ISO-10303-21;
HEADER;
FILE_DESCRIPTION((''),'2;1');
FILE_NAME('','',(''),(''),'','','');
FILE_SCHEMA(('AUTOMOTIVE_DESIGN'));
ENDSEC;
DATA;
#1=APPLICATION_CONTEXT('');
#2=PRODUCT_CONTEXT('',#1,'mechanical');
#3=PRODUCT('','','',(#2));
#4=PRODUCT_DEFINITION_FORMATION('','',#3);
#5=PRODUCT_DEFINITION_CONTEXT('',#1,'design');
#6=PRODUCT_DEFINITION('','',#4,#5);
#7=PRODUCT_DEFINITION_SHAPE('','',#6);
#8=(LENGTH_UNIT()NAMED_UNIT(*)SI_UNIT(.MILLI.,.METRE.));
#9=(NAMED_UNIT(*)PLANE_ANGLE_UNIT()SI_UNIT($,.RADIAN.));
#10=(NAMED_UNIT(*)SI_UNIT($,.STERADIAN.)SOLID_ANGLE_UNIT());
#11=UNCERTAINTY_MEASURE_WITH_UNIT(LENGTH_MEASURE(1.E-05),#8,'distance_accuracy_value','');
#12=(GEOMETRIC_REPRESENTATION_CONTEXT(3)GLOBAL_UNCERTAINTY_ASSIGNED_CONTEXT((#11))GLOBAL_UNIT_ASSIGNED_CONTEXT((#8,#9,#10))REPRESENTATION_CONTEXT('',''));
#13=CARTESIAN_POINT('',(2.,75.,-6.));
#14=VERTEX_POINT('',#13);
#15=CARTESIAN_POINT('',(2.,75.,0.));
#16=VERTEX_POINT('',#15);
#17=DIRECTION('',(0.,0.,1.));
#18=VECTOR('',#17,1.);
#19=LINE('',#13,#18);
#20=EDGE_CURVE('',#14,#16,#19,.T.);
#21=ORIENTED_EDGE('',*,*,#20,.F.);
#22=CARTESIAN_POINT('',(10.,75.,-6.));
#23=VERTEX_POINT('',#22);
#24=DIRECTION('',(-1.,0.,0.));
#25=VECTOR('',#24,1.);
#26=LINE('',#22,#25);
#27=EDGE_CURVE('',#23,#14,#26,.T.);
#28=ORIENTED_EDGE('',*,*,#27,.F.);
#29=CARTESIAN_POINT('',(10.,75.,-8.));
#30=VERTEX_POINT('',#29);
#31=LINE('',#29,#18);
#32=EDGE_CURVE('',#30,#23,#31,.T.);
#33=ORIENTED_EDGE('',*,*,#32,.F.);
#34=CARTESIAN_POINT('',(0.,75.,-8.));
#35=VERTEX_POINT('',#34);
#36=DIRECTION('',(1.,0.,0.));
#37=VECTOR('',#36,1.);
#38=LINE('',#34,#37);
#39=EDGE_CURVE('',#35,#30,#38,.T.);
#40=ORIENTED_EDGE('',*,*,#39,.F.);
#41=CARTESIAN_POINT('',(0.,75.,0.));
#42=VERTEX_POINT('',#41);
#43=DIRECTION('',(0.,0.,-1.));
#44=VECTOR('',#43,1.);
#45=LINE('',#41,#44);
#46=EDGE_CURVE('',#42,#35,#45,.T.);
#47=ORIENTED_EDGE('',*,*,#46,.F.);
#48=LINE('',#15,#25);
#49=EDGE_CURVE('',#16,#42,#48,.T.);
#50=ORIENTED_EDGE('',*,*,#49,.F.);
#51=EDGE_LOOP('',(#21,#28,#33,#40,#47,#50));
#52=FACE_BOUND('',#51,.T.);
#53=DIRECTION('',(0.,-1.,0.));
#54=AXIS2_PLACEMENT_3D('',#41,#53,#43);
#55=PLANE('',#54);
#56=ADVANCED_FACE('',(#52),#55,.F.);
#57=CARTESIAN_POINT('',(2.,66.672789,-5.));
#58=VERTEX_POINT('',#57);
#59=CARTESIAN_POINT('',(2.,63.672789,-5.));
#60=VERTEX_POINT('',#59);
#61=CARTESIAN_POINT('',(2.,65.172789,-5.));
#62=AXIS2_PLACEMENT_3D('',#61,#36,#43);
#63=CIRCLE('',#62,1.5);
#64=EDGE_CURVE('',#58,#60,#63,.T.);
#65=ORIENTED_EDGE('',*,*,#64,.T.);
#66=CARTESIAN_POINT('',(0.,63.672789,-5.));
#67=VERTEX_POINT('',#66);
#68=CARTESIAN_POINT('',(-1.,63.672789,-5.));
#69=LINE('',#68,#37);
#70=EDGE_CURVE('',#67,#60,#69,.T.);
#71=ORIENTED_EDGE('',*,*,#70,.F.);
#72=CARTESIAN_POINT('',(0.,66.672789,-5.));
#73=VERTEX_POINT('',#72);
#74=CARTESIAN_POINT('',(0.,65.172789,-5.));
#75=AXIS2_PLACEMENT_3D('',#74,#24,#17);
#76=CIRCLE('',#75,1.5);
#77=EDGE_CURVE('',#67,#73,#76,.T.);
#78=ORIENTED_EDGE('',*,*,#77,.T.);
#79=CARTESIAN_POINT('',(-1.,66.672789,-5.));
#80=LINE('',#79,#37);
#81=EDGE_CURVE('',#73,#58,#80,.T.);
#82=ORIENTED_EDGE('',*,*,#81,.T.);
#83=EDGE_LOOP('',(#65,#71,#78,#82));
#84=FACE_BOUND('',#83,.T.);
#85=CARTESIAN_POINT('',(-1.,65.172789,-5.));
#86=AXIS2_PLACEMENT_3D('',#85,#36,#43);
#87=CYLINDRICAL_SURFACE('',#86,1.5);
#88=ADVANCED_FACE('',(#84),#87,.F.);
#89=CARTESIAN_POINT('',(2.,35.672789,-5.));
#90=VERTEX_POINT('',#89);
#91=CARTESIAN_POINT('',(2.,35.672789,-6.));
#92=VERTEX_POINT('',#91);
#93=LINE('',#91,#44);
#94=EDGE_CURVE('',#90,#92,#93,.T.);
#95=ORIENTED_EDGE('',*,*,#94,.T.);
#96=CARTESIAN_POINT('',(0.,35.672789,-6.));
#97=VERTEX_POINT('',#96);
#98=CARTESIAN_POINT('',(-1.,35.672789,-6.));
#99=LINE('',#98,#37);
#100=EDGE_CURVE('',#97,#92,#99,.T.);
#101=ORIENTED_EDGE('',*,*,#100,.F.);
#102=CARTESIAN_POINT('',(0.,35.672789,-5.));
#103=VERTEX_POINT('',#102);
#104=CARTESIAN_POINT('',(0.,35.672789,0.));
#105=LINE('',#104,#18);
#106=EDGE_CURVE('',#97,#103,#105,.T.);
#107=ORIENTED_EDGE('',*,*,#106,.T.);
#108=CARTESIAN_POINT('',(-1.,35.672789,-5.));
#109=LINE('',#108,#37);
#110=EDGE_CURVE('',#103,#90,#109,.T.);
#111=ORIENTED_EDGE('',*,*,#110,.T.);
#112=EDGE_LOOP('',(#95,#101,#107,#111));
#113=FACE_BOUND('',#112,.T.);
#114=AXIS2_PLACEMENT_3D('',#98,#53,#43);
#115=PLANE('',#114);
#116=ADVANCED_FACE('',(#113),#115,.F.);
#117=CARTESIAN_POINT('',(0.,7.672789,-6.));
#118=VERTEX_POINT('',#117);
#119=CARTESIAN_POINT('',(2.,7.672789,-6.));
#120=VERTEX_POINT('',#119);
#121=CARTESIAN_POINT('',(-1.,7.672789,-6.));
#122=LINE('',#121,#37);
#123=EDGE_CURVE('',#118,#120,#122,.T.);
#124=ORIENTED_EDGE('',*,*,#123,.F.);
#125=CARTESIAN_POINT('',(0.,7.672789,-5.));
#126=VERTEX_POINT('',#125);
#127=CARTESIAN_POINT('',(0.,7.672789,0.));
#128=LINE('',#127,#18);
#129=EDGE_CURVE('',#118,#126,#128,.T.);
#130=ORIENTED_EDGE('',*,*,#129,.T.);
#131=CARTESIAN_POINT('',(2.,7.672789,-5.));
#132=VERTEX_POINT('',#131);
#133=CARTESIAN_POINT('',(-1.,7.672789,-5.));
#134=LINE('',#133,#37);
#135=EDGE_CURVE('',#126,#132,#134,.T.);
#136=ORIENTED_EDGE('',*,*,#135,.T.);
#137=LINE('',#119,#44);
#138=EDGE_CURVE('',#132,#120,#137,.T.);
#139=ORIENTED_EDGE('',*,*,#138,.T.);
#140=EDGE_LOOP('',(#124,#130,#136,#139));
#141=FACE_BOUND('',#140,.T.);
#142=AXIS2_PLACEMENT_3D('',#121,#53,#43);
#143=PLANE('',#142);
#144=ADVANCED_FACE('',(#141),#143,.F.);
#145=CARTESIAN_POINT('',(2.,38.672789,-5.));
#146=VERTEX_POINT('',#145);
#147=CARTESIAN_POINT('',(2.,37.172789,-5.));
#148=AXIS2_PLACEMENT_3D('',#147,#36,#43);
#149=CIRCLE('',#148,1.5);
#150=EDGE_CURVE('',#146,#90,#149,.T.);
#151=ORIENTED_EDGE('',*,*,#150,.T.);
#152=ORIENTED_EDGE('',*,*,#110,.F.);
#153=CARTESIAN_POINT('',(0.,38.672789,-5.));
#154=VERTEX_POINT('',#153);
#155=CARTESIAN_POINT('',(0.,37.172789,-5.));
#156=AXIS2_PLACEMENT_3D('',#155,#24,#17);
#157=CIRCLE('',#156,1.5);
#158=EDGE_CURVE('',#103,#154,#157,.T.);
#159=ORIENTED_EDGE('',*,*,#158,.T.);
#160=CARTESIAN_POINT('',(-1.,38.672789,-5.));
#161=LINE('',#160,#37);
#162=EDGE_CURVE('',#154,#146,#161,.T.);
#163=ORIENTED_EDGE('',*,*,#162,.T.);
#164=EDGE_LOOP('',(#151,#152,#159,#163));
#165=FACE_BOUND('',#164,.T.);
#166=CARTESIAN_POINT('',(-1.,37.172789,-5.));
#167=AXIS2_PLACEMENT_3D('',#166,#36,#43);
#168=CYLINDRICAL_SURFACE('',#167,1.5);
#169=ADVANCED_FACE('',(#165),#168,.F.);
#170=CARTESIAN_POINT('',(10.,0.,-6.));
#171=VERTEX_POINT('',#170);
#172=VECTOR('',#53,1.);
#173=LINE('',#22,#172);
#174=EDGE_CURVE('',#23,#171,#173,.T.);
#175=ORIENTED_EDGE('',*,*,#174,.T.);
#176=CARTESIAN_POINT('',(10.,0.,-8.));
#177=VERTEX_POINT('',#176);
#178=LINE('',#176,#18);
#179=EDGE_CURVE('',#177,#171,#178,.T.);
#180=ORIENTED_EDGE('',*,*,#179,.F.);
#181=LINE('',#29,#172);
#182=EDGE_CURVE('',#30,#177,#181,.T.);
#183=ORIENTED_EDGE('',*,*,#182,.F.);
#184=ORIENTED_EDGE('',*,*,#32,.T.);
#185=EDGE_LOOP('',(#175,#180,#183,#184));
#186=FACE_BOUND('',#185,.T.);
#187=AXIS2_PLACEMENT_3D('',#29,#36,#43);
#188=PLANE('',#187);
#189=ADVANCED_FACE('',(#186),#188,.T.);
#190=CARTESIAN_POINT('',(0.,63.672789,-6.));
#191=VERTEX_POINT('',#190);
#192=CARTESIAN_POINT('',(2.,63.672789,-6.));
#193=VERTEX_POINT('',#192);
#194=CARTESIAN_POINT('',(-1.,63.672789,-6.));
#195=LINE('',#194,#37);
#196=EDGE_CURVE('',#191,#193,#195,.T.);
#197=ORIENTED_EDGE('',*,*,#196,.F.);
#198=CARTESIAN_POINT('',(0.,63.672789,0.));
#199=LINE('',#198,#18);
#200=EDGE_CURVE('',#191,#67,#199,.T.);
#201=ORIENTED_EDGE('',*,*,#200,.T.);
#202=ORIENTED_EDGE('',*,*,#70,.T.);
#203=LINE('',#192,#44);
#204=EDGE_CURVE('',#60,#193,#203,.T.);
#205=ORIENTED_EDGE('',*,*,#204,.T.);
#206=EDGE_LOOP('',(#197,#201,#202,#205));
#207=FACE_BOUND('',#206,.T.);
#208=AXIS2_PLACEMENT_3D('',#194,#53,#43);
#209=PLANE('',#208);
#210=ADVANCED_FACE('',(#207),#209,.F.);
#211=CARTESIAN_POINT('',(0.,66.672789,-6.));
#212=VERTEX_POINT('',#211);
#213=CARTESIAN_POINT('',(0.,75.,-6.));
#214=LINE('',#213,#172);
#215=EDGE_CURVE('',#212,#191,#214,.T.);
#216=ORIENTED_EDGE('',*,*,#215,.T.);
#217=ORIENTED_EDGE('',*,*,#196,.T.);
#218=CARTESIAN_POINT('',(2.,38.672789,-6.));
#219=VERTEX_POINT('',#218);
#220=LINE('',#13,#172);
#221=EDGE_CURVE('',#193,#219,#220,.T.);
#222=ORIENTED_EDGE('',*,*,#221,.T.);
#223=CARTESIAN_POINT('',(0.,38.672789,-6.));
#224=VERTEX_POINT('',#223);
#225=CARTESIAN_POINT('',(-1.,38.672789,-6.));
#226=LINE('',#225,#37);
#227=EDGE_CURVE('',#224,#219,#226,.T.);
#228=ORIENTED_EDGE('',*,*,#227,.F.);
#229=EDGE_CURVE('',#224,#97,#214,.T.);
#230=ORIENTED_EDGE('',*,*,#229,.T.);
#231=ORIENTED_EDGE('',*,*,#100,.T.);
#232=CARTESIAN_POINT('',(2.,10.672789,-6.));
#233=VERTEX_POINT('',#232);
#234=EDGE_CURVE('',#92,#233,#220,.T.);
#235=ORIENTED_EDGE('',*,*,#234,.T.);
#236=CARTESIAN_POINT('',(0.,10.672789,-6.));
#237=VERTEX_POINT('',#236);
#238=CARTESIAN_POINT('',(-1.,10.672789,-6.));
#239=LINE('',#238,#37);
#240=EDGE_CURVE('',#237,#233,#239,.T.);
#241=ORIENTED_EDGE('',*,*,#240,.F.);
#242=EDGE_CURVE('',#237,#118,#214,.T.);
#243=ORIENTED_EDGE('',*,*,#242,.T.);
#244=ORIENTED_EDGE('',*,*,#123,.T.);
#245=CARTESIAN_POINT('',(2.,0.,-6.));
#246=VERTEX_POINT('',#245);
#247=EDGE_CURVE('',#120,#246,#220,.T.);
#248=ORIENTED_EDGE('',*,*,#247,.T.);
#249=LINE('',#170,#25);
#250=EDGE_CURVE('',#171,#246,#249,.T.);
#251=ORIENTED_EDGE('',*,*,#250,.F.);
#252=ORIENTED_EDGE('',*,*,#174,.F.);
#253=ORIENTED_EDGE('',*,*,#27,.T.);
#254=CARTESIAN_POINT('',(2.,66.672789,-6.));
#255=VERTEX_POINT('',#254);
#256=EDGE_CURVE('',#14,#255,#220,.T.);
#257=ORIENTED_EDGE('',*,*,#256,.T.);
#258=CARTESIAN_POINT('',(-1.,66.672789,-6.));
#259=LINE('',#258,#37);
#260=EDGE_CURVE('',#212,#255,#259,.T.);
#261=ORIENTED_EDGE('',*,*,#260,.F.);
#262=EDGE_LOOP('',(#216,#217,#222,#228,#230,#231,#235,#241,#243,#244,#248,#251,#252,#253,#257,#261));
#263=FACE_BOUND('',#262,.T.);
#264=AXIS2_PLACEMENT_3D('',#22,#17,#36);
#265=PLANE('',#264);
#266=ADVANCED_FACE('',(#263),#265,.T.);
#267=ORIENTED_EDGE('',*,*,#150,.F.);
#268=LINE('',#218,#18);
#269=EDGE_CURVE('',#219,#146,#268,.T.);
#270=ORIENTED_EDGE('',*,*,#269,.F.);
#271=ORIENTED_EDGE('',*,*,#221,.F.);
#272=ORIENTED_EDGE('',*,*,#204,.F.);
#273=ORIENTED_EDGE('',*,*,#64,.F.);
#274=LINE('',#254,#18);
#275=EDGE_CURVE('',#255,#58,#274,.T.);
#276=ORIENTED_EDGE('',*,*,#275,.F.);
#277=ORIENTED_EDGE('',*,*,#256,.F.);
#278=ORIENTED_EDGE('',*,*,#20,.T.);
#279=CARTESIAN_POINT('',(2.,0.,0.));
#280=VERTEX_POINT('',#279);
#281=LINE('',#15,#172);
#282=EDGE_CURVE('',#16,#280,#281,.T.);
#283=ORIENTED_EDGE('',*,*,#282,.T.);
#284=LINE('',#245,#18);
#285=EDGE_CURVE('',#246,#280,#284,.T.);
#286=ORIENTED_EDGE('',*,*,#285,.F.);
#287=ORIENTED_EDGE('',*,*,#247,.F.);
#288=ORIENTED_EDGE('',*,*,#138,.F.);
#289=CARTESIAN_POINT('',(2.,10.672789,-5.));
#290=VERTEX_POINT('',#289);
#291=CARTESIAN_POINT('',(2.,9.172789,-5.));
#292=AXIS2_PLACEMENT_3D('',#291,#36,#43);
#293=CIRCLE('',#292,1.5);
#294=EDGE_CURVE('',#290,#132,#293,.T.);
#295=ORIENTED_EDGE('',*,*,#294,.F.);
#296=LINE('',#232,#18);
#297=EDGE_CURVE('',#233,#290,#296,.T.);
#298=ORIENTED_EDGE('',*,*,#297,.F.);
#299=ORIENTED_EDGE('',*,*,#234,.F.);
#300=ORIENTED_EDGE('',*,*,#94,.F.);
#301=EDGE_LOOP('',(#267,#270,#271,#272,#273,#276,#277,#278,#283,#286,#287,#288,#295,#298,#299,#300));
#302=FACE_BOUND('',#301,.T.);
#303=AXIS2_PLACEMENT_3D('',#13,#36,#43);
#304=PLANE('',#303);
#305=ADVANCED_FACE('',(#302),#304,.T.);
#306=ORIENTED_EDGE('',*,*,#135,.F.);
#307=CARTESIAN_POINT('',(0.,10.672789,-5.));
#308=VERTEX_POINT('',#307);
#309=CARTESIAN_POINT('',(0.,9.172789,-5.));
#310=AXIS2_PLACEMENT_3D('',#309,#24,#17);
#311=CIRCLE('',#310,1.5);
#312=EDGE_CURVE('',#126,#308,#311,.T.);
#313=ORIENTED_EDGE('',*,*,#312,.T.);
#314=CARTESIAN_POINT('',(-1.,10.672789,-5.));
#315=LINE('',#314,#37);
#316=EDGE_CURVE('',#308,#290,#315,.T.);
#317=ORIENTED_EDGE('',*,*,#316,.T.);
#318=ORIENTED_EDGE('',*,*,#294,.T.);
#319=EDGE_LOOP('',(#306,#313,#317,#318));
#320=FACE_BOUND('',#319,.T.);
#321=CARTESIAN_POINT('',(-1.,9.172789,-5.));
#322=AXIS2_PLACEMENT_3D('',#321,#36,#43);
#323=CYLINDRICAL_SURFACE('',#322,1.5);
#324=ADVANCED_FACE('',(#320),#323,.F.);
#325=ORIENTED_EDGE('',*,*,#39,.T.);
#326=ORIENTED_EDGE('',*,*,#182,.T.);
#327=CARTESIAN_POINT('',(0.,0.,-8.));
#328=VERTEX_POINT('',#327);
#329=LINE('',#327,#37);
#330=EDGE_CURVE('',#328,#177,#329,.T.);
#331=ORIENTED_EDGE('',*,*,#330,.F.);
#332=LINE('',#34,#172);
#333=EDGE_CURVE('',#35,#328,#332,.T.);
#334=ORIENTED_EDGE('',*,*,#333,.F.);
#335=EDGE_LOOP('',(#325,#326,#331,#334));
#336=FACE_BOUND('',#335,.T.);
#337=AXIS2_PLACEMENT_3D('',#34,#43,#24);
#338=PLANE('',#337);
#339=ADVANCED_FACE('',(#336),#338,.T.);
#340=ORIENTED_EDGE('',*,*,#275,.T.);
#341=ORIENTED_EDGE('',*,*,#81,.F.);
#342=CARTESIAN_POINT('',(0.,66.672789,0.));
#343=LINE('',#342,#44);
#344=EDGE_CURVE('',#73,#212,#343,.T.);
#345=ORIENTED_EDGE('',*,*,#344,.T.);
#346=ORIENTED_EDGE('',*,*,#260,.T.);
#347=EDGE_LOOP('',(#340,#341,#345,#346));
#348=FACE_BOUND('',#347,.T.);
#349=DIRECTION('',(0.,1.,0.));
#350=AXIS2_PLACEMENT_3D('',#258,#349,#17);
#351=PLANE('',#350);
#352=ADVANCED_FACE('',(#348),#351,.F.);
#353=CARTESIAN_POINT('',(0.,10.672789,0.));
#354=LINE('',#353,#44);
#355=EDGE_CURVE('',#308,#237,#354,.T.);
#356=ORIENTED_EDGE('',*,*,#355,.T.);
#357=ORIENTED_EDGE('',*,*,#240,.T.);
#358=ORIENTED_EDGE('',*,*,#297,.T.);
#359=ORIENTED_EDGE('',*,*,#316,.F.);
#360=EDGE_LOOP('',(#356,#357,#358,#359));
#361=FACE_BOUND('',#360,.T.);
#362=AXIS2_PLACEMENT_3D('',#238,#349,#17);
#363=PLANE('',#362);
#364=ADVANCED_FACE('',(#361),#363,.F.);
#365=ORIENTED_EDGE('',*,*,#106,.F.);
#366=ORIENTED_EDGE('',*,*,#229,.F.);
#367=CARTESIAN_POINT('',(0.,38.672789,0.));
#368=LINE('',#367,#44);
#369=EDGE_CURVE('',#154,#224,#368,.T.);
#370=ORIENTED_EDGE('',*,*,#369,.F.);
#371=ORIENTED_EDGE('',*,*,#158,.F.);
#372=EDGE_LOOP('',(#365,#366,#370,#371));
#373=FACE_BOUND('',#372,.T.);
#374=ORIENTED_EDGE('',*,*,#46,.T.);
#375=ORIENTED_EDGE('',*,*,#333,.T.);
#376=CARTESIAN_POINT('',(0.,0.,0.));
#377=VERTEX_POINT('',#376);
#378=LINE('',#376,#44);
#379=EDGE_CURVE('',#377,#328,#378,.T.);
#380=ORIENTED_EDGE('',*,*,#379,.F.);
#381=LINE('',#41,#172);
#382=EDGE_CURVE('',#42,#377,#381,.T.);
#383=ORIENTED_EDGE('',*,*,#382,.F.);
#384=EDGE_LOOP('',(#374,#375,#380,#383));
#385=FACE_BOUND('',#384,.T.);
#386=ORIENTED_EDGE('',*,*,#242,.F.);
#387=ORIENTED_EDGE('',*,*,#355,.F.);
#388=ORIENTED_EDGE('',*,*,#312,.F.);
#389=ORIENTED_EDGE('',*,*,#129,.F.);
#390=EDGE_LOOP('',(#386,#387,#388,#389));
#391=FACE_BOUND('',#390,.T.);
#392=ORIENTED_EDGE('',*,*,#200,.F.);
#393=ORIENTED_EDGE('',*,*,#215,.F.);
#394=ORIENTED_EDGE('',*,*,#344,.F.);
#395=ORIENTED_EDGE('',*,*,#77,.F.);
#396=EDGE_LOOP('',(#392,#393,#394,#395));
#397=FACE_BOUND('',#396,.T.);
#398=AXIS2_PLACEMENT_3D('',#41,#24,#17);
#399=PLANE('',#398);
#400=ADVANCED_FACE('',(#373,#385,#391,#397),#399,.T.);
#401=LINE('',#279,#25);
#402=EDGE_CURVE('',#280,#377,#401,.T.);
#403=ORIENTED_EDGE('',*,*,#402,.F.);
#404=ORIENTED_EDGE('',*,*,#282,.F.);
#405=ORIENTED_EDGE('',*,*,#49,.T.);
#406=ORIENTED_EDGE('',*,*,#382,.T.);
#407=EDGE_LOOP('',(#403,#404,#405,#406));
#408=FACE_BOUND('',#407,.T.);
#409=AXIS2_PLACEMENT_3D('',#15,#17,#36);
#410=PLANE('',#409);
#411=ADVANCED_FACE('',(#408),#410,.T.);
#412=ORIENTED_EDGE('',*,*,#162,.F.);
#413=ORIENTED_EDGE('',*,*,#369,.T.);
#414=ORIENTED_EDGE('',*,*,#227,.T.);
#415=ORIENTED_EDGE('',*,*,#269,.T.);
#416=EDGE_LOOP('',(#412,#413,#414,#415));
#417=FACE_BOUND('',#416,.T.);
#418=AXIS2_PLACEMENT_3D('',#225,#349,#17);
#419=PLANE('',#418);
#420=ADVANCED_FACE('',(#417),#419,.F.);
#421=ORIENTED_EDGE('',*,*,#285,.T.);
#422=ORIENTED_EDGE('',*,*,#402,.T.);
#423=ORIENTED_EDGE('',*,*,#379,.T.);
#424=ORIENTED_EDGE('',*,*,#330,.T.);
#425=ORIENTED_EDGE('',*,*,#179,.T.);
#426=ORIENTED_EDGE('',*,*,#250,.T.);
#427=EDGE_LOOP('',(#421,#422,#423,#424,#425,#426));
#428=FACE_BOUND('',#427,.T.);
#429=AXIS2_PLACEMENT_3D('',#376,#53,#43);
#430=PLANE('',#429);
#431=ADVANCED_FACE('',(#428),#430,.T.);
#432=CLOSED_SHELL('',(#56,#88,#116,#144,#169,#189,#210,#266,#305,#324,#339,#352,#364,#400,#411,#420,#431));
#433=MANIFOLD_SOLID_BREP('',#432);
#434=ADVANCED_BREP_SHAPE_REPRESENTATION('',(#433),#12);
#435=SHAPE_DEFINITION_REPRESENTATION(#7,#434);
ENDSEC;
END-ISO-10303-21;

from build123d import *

# Parameters (mm, degrees)
BOSS_EXTRU_1_DEPTH           = 75
ENL_V_MAT_EXTRU_9_DEPTH      = 1
ENL_V_MAT_EXTRU_9_DEPTH_BACK = 3


with BuildPart() as part:
    # Esquisse2 → Boss.-Extru.1 (new body)
    with BuildSketch(Plane(origin=(0, 0, 0), x_dir=(1, 0, 0), z_dir=(0, 1, 0))):
        Polygon((0, 0), (0, 8), (10, 8), (10, 6), (2, 6), (2, 0), align=None)
    extrude(amount=BOSS_EXTRU_1_DEPTH)

    # Esquisse3 → Enlèv. mat.-Extru.9 (cut, two sides: drawn at the far end of the back side and taken through both)
    with BuildSketch(Plane(origin=(2, 0, 0), x_dir=(0, 0, -1), z_dir=(1, 0, 0)).offset(-ENL_V_MAT_EXTRU_9_DEPTH_BACK)):
        with BuildLine():
            Line((6, 38.672788966), (6, 35.672788966))
            Line((6, 35.672788966), (5, 35.672788966))
            ThreePointArc((5, 35.672788966), (3.5, 37.172788966), (5, 38.672788966))
            Line((5, 38.672788966), (6, 38.672788966))
        make_face()
        with BuildLine():
            Line((6, 63.672788966), (5, 63.672788966))
            ThreePointArc((5, 63.672788966), (3.5, 65.172788966), (5, 66.672788966))
            Line((5, 66.672788966), (6, 66.672788966))
            Line((6, 66.672788966), (6, 63.672788966))
        make_face()
        with BuildLine():
            Line((6, 7.672788966), (5, 7.672788966))
            ThreePointArc((5, 7.672788966), (3.5, 9.172788966), (5, 10.672788966))
            Line((5, 10.672788966), (6, 10.672788966))
            Line((6, 10.672788966), (6, 7.672788966))
        make_face()
    extrude(amount=ENL_V_MAT_EXTRU_9_DEPTH + ENL_V_MAT_EXTRU_9_DEPTH_BACK, mode=Mode.SUBTRACT)


solid = part.part
